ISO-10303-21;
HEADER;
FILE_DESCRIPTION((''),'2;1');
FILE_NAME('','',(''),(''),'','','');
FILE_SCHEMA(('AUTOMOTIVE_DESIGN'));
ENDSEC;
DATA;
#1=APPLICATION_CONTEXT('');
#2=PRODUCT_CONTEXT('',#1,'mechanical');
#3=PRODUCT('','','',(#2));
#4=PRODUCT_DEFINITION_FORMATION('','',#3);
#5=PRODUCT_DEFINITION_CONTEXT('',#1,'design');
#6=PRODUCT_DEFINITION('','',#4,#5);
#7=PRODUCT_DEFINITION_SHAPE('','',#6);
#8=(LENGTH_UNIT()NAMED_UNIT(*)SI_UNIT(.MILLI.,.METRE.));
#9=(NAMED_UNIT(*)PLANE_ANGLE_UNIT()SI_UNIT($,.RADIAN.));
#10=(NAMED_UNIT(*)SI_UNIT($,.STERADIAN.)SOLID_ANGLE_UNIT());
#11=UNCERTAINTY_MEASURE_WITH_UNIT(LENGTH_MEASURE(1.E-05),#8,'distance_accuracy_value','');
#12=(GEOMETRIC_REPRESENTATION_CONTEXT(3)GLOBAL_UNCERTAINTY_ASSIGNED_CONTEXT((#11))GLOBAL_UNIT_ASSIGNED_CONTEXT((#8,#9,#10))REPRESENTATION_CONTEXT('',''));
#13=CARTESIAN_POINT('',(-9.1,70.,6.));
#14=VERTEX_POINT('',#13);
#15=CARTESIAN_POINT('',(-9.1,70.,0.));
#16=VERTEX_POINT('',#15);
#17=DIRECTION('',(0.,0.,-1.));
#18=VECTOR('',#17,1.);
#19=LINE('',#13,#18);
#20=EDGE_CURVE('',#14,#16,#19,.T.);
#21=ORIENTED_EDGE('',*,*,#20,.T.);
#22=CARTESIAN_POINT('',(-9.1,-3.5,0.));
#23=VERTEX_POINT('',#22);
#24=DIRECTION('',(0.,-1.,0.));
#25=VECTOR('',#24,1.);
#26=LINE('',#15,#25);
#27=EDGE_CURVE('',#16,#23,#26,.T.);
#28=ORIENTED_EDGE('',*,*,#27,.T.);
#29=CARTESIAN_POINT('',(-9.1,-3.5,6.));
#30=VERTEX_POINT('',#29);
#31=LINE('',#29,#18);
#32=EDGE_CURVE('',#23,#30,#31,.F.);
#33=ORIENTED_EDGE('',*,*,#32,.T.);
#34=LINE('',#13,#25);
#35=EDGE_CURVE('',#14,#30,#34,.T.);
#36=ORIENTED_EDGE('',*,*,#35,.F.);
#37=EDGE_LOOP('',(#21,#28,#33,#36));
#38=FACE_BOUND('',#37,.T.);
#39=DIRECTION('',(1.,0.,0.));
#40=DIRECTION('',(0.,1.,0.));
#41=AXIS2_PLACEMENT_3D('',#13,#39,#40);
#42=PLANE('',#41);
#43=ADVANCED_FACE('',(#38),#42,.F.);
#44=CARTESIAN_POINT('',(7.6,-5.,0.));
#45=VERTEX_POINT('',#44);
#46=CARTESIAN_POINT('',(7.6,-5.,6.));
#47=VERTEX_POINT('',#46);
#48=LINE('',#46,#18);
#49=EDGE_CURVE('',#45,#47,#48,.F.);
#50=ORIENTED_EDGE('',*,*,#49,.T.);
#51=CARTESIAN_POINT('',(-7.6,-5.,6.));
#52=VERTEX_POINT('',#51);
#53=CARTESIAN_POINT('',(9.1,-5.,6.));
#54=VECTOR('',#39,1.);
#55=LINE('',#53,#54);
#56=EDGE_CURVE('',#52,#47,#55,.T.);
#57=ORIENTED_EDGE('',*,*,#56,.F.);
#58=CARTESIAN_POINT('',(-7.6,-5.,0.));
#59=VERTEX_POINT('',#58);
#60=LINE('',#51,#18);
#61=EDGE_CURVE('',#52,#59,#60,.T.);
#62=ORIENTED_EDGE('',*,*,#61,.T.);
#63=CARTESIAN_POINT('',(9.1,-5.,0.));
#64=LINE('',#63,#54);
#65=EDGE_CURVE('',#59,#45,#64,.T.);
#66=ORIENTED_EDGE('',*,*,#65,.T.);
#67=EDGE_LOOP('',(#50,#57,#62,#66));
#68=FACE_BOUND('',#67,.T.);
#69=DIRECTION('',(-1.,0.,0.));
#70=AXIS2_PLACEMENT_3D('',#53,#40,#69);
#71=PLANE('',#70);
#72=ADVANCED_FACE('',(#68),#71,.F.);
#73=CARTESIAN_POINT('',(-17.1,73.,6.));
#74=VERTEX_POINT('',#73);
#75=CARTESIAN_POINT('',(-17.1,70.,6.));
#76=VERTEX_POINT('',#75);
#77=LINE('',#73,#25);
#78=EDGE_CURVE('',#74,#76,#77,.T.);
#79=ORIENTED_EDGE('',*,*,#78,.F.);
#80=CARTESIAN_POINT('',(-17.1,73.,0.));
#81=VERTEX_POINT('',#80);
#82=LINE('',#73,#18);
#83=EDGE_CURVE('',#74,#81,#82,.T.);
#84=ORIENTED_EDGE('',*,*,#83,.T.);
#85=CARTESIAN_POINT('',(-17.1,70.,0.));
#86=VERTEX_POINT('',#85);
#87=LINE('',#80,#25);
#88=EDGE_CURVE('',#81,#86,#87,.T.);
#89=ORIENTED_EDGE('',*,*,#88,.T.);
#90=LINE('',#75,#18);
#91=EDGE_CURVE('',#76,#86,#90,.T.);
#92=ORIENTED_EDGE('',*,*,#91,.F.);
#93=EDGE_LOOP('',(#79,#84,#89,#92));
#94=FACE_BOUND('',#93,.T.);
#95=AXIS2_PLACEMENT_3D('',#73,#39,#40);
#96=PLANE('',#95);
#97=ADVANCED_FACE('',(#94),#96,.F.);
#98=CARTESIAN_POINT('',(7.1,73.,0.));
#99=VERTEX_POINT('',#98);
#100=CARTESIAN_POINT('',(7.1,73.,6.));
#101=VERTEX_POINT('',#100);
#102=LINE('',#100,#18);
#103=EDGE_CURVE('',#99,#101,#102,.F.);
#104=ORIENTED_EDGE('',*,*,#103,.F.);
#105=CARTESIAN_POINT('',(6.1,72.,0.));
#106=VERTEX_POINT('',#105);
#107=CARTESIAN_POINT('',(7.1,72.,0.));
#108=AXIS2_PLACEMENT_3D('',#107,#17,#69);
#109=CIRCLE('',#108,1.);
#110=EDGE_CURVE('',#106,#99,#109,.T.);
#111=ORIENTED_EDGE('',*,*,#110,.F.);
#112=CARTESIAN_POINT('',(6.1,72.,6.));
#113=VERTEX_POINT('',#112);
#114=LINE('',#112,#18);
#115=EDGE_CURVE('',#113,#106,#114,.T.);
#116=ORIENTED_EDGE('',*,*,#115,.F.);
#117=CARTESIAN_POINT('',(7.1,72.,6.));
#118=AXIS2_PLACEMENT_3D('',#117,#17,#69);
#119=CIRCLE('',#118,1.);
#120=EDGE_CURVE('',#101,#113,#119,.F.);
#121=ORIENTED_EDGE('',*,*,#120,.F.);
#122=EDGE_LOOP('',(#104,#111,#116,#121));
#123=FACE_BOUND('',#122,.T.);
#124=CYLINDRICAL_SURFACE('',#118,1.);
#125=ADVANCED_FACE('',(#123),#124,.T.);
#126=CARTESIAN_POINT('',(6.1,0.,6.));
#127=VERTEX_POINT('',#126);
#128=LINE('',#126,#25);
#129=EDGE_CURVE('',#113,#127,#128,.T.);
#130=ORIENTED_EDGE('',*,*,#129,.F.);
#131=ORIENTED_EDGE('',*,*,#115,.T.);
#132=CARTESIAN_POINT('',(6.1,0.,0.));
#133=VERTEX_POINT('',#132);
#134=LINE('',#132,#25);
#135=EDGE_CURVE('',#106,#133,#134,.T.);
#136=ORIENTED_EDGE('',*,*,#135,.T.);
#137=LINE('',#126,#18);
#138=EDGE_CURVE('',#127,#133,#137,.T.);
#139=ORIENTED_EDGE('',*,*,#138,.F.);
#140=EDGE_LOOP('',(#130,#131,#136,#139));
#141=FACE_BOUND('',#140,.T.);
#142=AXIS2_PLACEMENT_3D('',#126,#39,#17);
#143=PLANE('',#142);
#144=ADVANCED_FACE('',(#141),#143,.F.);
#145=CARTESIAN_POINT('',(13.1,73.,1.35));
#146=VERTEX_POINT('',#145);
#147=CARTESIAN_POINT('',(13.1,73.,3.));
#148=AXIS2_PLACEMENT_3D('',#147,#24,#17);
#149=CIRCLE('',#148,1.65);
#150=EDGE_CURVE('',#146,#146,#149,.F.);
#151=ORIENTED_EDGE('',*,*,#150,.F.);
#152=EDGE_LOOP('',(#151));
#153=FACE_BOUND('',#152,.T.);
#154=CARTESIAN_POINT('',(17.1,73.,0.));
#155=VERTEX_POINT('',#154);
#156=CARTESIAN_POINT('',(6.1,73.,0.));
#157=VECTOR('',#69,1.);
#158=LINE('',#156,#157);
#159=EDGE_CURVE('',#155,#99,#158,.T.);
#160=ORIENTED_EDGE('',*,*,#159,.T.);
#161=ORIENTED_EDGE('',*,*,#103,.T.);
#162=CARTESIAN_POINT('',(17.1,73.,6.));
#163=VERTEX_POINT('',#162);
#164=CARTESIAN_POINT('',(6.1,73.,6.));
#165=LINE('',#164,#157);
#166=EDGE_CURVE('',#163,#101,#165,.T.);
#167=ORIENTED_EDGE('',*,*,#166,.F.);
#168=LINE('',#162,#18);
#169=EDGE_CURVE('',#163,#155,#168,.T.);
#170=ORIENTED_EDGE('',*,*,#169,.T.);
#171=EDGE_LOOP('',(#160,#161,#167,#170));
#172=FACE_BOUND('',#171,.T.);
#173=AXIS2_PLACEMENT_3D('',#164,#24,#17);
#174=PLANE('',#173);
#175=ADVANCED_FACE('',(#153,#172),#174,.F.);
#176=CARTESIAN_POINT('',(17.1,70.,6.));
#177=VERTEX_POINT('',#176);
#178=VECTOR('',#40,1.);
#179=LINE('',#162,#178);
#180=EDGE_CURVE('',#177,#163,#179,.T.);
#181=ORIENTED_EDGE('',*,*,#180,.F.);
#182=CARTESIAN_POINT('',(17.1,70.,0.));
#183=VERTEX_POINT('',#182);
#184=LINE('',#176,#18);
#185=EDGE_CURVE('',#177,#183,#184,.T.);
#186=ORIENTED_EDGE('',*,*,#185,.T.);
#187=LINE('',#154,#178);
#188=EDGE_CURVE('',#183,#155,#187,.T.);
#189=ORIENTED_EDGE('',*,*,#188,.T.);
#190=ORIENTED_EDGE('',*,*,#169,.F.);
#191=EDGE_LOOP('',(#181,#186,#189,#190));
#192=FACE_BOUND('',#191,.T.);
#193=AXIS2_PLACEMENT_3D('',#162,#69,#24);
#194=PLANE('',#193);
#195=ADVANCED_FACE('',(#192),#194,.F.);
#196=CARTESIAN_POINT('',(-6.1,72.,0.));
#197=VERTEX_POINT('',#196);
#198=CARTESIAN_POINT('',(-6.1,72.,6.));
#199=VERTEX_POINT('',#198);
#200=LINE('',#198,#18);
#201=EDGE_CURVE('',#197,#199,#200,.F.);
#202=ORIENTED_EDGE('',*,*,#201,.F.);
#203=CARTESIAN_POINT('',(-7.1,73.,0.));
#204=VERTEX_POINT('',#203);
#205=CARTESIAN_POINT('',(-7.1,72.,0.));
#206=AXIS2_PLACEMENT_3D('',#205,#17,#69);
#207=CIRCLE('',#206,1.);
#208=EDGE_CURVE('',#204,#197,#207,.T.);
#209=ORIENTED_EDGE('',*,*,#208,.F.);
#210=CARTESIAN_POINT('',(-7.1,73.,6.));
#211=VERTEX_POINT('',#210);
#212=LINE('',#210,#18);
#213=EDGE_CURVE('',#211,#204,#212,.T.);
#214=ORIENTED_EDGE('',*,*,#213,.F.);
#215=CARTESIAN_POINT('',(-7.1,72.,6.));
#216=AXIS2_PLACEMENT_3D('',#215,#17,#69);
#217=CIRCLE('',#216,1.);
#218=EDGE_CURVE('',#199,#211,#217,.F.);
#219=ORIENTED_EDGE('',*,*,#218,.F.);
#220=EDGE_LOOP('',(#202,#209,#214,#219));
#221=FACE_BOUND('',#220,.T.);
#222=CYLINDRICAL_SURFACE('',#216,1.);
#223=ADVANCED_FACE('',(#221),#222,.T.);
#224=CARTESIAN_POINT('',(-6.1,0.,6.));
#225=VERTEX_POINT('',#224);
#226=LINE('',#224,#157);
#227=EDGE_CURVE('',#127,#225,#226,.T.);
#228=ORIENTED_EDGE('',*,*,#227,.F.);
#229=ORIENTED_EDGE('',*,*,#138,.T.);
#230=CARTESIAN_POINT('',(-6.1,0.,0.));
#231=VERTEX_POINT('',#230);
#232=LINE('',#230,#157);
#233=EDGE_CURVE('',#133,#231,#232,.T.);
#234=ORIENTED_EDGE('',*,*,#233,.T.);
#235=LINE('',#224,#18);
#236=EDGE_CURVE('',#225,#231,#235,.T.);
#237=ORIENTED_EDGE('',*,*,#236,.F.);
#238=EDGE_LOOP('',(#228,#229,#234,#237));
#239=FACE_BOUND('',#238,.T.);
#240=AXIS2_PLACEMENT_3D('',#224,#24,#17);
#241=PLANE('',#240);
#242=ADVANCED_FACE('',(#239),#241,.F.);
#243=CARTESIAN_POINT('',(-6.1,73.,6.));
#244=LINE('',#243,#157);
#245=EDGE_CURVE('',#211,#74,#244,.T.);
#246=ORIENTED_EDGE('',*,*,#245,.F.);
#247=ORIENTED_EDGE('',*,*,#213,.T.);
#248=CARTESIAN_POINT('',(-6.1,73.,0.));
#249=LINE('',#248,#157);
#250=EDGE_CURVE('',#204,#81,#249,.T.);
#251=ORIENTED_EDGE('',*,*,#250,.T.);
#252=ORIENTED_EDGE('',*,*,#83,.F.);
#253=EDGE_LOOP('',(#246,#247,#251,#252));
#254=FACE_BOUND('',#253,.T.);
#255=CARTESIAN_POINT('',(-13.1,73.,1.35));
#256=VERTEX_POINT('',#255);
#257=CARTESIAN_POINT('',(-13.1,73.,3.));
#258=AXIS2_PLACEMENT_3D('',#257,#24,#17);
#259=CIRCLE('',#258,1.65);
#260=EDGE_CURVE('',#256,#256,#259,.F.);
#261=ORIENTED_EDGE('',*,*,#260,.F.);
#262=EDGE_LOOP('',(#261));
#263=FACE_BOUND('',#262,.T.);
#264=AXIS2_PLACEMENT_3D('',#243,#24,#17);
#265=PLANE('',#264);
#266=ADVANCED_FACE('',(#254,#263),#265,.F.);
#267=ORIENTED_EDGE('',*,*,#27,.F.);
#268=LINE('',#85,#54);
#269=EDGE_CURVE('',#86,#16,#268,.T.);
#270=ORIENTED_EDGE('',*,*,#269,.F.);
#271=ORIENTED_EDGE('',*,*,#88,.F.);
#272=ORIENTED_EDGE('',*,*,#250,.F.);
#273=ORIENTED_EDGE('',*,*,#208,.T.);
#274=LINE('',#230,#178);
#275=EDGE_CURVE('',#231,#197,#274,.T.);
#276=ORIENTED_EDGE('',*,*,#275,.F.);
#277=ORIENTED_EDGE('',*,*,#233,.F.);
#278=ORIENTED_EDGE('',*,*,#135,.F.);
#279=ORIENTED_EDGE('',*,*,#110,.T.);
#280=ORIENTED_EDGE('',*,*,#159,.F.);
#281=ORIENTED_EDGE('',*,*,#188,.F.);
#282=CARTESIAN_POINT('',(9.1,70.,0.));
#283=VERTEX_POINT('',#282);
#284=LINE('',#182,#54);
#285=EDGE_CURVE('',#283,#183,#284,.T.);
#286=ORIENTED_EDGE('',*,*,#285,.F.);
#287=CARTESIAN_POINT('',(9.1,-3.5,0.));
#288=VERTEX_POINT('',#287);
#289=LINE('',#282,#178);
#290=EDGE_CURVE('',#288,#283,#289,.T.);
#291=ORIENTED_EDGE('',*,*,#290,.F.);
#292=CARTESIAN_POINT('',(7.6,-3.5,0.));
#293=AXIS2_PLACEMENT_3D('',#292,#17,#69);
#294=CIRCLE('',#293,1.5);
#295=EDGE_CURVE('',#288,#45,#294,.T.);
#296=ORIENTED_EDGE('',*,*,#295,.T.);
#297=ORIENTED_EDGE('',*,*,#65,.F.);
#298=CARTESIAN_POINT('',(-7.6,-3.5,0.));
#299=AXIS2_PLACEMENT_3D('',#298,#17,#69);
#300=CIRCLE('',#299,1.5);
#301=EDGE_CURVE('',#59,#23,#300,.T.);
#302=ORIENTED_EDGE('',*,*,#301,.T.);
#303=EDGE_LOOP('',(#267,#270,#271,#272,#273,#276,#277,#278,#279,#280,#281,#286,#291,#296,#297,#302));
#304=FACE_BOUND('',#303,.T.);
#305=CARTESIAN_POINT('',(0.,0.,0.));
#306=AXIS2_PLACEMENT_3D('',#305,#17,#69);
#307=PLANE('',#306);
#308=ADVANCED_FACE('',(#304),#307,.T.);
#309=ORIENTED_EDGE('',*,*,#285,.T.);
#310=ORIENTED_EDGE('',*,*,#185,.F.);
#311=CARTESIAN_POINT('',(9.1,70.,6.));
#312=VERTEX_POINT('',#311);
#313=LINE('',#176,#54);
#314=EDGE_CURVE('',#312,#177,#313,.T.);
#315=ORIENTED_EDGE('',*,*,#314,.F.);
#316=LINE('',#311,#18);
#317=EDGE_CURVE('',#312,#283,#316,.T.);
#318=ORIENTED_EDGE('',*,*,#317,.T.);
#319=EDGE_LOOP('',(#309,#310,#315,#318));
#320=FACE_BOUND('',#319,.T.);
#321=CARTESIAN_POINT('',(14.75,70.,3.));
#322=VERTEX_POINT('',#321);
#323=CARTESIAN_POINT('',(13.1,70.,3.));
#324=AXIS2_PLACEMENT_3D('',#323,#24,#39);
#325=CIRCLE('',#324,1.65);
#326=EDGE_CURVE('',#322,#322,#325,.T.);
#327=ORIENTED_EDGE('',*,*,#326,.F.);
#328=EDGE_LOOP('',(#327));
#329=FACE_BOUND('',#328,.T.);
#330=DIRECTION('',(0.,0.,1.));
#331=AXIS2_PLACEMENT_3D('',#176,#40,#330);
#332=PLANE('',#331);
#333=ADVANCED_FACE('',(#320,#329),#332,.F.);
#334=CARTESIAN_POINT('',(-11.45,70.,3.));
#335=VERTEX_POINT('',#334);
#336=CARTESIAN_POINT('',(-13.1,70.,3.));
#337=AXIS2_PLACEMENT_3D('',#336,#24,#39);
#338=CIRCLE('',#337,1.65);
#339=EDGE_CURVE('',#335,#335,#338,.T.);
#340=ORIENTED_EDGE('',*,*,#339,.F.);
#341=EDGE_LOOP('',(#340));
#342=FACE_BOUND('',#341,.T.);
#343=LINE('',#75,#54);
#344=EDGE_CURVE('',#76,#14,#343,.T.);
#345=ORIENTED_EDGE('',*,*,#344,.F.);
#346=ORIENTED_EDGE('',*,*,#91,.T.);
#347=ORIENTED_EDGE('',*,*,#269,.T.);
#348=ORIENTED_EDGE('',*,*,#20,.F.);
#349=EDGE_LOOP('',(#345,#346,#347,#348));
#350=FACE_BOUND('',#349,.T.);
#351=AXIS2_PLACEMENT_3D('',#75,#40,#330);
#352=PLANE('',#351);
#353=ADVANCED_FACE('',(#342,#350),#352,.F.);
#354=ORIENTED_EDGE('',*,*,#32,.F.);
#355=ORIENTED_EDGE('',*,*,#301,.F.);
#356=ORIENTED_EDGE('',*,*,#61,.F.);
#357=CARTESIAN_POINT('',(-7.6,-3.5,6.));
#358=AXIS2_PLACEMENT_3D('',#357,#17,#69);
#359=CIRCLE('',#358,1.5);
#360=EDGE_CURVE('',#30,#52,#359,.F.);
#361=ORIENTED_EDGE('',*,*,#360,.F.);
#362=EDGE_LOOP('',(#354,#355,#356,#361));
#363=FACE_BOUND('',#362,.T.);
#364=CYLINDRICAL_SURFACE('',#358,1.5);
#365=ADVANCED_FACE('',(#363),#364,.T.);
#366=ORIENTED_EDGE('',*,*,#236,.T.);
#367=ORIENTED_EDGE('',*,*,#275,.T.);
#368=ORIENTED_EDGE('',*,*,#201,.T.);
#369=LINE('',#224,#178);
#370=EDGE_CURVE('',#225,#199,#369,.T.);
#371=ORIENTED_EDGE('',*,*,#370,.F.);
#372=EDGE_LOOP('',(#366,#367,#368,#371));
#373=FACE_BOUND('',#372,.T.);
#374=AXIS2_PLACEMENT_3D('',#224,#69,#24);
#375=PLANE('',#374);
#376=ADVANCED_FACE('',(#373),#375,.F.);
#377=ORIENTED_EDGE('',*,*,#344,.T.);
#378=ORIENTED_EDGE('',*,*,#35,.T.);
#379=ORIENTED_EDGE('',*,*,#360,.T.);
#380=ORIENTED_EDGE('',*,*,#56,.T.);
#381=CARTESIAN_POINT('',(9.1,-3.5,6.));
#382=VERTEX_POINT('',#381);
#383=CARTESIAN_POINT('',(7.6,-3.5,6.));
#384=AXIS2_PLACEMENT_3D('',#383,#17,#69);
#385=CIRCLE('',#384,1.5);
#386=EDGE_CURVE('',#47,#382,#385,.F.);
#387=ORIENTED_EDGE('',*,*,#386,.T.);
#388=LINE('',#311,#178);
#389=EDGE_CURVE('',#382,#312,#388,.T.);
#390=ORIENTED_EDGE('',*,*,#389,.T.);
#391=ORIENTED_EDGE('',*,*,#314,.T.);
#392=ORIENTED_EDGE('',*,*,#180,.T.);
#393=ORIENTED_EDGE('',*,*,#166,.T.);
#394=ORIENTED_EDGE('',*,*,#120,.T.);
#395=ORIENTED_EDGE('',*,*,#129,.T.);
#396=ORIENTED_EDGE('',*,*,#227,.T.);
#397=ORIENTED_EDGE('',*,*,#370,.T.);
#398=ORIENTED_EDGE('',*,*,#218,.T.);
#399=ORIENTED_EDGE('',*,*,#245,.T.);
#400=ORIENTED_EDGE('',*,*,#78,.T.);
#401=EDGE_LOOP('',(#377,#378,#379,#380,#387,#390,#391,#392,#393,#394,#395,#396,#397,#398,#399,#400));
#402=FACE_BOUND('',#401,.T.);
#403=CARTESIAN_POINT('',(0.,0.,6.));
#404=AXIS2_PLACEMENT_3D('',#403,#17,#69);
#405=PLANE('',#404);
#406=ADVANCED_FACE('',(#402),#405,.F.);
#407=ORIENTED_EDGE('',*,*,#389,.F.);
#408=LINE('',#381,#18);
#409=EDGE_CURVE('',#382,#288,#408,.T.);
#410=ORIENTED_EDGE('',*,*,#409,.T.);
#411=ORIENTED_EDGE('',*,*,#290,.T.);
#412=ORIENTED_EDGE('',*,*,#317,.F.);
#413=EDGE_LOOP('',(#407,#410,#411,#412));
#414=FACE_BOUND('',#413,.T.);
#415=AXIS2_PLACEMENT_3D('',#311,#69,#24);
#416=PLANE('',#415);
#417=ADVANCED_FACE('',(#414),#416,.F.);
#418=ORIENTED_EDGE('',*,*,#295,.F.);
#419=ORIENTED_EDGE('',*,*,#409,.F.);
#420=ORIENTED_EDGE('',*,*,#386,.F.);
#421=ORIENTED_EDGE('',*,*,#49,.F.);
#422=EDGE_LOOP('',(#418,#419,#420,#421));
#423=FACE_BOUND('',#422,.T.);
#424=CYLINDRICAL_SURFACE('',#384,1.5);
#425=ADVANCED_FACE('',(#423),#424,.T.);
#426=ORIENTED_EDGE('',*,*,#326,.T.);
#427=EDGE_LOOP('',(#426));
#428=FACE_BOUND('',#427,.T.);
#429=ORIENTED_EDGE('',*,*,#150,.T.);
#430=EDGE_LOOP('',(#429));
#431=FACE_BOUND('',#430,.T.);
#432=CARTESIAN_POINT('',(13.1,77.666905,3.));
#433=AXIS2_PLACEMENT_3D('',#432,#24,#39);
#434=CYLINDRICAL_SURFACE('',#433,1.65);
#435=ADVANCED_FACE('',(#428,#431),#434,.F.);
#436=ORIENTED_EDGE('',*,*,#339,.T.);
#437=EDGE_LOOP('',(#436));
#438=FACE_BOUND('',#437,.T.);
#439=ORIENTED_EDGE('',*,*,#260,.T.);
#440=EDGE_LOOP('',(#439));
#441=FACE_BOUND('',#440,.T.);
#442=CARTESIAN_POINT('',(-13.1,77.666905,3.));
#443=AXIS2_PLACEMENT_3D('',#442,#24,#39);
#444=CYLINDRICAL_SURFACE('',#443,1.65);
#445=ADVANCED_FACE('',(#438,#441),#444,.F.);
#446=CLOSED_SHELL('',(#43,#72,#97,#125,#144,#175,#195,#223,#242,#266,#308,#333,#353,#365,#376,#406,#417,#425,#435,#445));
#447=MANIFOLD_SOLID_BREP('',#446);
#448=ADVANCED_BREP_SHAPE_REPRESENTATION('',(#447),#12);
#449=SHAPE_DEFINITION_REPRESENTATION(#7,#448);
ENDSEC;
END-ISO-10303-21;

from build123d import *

# Parameters (mm, degrees)
BOSS_EXTRUDE5_DEPTH = 6
SKETCH7_R           = 1.65
CUT_EXTRUDE2_DEPTH  = 3
FILLET1_R           = 1
FILLET2_R           = 1.5


with BuildPart() as part:
    # Sketch6 → Boss-Extrude5 (new body)
    with BuildSketch(Plane.XY):
        Polygon((-6.1, 0), (6.1, 0), (6.1, 73), (17.1, 73), (17.1, 70), (9.1, 70), (9.1, -5), (-9.1, -5), (-9.1, 70), (-17.1, 70), (-17.1, 73), (-6.1, 73), align=None)
    extrude(amount=BOSS_EXTRUDE5_DEPTH)

    # Sketch7 → Cut-Extrude2 (cut)
    with BuildSketch(Plane.XZ.offset(-70)):
        with Locations((-13.1, 3)):
            Circle(SKETCH7_R)
        with Locations((13.1, 3)):
            Circle(SKETCH7_R)
    extrude(amount=-CUT_EXTRUDE2_DEPTH, mode=Mode.SUBTRACT)

    # Fillet1
    fillet1_edges = [part.edges().sort_by_distance(p)[0] for p in [
        (6.1, 73, 3),
        (-6.1, 73, 3),
    ]]
    fillet(fillet1_edges, radius=FILLET1_R)

    # Fillet2
    fillet2_edges = [part.edges().sort_by_distance(p)[0] for p in [
        (9.1, -5, 3),
        (-9.1, -5, 3),
    ]]
    fillet(fillet2_edges, radius=FILLET2_R)


solid = part.part
